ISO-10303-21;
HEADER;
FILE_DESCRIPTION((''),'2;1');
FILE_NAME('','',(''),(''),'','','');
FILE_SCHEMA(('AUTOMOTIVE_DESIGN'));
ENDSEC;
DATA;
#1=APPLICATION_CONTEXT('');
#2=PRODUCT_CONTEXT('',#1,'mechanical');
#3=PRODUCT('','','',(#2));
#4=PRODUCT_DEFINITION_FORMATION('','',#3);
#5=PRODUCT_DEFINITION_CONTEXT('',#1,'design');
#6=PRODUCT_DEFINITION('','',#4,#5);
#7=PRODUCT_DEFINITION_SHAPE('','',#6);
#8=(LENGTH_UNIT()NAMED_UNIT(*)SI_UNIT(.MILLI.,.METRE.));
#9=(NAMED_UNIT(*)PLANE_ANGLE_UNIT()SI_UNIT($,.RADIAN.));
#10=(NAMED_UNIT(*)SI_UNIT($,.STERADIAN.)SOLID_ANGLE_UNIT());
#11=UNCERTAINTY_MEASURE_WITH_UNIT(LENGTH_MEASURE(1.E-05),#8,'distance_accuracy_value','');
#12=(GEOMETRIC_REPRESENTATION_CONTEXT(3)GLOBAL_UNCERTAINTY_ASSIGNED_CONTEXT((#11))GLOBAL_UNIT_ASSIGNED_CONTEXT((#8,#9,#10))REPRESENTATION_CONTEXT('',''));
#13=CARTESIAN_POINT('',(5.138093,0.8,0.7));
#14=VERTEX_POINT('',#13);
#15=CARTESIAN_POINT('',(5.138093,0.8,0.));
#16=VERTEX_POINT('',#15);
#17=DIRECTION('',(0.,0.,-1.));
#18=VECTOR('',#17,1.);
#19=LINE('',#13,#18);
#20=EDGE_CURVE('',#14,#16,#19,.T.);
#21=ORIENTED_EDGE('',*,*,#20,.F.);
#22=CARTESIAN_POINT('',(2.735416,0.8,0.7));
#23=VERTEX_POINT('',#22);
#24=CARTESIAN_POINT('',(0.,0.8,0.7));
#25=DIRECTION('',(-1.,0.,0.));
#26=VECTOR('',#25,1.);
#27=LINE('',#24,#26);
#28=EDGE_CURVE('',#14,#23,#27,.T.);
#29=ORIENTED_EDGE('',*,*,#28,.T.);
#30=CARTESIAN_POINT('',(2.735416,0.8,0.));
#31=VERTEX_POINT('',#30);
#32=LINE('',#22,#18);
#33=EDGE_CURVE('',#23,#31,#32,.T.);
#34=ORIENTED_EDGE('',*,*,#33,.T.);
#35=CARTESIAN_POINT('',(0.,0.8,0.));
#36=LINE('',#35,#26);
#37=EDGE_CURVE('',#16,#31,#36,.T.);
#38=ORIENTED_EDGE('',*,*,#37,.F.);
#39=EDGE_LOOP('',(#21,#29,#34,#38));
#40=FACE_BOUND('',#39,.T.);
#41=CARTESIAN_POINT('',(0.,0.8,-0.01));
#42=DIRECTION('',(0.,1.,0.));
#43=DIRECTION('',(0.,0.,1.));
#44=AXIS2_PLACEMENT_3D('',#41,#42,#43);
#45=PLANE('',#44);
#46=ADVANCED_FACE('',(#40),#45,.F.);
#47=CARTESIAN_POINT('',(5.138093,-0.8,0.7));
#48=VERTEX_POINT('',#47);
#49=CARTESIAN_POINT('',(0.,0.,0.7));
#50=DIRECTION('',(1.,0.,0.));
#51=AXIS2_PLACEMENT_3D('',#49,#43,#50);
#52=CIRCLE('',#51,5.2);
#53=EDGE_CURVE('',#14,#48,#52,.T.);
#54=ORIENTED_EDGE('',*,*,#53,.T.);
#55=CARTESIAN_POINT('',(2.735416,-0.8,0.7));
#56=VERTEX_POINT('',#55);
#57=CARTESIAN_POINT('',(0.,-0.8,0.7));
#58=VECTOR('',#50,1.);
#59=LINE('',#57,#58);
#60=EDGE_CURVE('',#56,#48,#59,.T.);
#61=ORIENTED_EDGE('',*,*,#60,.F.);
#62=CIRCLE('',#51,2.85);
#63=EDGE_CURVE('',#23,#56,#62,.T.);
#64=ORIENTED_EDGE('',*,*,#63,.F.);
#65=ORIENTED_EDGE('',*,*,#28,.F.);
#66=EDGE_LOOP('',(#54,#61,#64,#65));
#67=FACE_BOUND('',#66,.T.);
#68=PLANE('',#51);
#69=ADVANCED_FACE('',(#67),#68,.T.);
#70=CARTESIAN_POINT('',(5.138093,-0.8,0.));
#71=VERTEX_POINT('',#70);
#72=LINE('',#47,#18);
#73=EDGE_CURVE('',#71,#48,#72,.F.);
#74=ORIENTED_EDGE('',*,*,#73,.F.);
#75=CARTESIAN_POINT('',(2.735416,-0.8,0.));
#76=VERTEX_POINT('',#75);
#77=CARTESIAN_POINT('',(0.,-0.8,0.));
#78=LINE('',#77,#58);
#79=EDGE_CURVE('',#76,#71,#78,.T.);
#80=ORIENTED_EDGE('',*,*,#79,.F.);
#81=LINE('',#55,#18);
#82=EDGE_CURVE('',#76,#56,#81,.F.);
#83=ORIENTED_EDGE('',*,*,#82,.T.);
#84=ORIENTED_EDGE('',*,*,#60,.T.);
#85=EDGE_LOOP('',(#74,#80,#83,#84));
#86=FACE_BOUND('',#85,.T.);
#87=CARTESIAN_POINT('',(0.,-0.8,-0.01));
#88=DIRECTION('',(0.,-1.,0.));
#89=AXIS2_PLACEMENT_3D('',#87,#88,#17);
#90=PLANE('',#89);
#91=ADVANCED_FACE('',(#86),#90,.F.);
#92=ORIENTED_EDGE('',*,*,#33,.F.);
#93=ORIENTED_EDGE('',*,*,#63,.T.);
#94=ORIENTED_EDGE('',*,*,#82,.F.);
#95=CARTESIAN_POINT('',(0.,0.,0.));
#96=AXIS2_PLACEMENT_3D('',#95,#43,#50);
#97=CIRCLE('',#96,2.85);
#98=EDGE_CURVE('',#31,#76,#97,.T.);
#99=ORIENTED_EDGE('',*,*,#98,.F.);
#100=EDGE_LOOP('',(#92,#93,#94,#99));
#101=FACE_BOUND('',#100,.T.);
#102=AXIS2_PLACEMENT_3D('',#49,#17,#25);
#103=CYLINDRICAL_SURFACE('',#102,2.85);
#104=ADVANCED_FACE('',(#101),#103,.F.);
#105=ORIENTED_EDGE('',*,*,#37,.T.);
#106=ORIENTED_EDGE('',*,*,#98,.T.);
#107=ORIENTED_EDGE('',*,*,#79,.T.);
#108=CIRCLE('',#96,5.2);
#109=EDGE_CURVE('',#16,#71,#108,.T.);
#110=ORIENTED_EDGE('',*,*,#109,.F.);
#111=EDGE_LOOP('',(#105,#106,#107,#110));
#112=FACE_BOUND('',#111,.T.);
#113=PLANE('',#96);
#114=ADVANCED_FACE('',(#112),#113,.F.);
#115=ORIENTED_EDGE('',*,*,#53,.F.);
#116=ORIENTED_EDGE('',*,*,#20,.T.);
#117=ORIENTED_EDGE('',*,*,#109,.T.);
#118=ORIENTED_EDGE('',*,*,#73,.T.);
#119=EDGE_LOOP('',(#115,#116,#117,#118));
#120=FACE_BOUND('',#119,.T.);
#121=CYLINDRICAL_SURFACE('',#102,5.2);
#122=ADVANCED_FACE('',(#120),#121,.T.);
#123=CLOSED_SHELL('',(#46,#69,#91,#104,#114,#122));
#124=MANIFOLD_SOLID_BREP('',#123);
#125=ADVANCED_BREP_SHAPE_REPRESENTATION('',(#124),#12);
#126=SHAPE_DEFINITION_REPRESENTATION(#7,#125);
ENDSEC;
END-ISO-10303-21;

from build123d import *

# Parameters (mm, degrees)
SKETCH1_R                     = 5.2
SKETCH1_R_2                   = 2.85
INSTALLED_RING_ENVELOPE_DEPTH = 0.7
SKETCH2_W                     = 6
SKETCH2_H                     = 1.6
SPLIT_OPENING_ENVELOPE_DEPTH  = 0.71


with BuildPart() as part:
    # Sketch1 → Installed_Ring_Envelope (new body)
    with BuildSketch(Plane.XY):
        Circle(SKETCH1_R)
        Circle(SKETCH1_R_2, mode=Mode.SUBTRACT)
    extrude(amount=INSTALLED_RING_ENVELOPE_DEPTH)

    # Sketch2 → Split_Opening_Envelope (cut)
    with BuildSketch(Plane.XY.offset(0.7)):
        with Locations((3, 0)):
            Rectangle(SKETCH2_W, SKETCH2_H)
    extrude(amount=-SPLIT_OPENING_ENVELOPE_DEPTH, mode=Mode.SUBTRACT)


solid = part.part
